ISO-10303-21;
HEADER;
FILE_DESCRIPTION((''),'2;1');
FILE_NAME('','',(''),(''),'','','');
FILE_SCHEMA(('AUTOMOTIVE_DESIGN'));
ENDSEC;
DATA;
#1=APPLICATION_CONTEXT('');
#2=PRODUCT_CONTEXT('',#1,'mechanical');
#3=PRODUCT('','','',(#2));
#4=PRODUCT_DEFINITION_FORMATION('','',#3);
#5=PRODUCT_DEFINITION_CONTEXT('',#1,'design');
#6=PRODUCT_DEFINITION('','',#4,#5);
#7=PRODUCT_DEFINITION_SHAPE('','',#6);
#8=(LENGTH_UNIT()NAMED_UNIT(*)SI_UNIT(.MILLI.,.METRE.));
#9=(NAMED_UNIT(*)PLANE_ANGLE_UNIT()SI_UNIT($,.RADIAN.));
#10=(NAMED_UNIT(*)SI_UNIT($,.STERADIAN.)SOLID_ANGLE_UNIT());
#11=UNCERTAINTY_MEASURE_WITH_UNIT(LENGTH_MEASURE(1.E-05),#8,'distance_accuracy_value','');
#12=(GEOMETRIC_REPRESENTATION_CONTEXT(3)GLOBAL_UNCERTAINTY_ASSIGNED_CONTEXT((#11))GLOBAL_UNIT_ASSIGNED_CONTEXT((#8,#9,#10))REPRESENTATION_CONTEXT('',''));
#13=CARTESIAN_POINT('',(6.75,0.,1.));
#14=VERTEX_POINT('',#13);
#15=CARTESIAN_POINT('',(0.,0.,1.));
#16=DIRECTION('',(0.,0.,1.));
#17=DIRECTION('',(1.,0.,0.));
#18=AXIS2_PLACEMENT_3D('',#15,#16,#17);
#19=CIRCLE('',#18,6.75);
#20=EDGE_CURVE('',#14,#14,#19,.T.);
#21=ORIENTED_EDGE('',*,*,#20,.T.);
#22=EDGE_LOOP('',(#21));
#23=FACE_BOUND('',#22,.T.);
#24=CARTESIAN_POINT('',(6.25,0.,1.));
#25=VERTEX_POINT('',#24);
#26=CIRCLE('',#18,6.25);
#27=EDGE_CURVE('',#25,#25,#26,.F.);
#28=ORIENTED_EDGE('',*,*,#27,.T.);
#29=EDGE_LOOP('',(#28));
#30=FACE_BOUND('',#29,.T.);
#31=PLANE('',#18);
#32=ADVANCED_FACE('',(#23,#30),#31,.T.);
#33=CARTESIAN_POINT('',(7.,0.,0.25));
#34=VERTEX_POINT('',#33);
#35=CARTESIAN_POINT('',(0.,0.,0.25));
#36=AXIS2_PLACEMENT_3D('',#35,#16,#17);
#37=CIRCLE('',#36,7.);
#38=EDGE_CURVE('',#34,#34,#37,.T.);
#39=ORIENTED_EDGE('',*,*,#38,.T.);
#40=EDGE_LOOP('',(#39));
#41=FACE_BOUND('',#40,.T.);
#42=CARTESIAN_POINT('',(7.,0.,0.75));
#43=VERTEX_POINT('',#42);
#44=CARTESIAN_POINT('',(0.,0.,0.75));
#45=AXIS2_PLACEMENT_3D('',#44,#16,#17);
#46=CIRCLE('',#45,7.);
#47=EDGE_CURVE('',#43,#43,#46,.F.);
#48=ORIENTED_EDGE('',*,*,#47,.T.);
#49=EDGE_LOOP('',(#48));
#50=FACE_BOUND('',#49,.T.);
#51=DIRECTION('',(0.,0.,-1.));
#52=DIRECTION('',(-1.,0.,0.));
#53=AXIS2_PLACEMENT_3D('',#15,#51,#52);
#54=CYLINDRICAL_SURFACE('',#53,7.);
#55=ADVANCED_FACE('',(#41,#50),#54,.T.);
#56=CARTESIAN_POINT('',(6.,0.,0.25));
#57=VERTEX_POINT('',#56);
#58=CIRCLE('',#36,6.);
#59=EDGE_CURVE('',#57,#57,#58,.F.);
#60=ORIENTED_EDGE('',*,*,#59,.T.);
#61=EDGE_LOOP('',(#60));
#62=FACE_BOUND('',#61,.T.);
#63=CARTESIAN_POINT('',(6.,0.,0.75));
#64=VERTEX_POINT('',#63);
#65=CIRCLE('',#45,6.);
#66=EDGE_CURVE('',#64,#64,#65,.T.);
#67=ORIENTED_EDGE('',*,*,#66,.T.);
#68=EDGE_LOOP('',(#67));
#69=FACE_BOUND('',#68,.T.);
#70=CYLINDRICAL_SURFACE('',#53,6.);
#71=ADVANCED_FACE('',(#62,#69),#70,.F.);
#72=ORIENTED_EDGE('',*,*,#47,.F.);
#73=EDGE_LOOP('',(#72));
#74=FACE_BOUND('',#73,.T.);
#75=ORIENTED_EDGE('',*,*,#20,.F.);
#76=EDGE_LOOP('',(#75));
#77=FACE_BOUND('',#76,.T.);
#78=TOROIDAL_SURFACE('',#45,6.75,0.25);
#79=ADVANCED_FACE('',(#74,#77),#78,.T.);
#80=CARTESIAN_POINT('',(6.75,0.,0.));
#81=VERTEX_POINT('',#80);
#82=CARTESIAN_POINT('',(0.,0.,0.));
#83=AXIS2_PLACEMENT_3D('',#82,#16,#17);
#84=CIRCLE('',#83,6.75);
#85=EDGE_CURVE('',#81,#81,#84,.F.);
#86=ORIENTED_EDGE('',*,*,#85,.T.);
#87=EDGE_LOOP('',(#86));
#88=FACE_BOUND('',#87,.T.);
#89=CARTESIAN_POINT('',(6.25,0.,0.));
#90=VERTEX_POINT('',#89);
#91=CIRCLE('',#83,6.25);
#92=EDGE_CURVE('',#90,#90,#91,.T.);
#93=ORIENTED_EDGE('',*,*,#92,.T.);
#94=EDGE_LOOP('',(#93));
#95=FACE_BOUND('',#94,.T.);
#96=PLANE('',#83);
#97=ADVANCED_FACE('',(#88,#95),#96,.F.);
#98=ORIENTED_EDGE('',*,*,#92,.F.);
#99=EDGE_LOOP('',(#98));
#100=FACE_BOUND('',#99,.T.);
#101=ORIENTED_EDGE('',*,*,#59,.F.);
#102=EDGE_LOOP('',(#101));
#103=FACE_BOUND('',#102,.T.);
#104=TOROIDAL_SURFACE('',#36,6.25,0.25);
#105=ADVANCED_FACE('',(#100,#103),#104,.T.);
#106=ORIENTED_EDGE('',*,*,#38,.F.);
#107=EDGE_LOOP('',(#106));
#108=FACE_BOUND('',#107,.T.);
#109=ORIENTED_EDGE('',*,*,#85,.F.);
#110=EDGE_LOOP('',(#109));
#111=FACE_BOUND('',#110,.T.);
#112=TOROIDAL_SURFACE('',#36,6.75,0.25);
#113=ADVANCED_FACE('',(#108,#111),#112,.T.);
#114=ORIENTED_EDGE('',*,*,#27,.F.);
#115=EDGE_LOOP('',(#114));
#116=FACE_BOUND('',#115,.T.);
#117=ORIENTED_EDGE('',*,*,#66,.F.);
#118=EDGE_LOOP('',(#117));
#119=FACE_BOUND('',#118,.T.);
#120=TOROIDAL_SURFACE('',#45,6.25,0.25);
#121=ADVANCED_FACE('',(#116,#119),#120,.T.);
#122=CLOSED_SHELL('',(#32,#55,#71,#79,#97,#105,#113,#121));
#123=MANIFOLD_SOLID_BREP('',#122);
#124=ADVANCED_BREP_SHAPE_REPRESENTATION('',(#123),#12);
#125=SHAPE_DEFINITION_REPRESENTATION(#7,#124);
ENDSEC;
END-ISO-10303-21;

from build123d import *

# Parameters (mm, degrees)
SKETCH1_R           = 7
SKETCH1_R_2         = 6
BOSS_EXTRUDE1_DEPTH = 1
FILLET1_R           = 0.25
FILLET2_R           = 0.25


with BuildPart() as part:
    # Sketch1 → Boss-Extrude1 (new body)
    with BuildSketch(Plane.XY):
        Circle(SKETCH1_R)
        Circle(SKETCH1_R_2, mode=Mode.SUBTRACT)
    extrude(amount=BOSS_EXTRUDE1_DEPTH)

    # Fillet1
    fillet1_edges = [part.edges().sort_by_distance(p)[0] for p in [
        (-7, 0, 0),
        (-6, 0, 0),
    ]]
    fillet(fillet1_edges, radius=FILLET1_R)

    # Fillet2
    fillet2_edges = [part.edges().sort_by_distance(p)[0] for p in [
        (-7, 0, 1),
        (-6, 0, 1),
    ]]
    fillet(fillet2_edges, radius=FILLET2_R)


solid = part.part
